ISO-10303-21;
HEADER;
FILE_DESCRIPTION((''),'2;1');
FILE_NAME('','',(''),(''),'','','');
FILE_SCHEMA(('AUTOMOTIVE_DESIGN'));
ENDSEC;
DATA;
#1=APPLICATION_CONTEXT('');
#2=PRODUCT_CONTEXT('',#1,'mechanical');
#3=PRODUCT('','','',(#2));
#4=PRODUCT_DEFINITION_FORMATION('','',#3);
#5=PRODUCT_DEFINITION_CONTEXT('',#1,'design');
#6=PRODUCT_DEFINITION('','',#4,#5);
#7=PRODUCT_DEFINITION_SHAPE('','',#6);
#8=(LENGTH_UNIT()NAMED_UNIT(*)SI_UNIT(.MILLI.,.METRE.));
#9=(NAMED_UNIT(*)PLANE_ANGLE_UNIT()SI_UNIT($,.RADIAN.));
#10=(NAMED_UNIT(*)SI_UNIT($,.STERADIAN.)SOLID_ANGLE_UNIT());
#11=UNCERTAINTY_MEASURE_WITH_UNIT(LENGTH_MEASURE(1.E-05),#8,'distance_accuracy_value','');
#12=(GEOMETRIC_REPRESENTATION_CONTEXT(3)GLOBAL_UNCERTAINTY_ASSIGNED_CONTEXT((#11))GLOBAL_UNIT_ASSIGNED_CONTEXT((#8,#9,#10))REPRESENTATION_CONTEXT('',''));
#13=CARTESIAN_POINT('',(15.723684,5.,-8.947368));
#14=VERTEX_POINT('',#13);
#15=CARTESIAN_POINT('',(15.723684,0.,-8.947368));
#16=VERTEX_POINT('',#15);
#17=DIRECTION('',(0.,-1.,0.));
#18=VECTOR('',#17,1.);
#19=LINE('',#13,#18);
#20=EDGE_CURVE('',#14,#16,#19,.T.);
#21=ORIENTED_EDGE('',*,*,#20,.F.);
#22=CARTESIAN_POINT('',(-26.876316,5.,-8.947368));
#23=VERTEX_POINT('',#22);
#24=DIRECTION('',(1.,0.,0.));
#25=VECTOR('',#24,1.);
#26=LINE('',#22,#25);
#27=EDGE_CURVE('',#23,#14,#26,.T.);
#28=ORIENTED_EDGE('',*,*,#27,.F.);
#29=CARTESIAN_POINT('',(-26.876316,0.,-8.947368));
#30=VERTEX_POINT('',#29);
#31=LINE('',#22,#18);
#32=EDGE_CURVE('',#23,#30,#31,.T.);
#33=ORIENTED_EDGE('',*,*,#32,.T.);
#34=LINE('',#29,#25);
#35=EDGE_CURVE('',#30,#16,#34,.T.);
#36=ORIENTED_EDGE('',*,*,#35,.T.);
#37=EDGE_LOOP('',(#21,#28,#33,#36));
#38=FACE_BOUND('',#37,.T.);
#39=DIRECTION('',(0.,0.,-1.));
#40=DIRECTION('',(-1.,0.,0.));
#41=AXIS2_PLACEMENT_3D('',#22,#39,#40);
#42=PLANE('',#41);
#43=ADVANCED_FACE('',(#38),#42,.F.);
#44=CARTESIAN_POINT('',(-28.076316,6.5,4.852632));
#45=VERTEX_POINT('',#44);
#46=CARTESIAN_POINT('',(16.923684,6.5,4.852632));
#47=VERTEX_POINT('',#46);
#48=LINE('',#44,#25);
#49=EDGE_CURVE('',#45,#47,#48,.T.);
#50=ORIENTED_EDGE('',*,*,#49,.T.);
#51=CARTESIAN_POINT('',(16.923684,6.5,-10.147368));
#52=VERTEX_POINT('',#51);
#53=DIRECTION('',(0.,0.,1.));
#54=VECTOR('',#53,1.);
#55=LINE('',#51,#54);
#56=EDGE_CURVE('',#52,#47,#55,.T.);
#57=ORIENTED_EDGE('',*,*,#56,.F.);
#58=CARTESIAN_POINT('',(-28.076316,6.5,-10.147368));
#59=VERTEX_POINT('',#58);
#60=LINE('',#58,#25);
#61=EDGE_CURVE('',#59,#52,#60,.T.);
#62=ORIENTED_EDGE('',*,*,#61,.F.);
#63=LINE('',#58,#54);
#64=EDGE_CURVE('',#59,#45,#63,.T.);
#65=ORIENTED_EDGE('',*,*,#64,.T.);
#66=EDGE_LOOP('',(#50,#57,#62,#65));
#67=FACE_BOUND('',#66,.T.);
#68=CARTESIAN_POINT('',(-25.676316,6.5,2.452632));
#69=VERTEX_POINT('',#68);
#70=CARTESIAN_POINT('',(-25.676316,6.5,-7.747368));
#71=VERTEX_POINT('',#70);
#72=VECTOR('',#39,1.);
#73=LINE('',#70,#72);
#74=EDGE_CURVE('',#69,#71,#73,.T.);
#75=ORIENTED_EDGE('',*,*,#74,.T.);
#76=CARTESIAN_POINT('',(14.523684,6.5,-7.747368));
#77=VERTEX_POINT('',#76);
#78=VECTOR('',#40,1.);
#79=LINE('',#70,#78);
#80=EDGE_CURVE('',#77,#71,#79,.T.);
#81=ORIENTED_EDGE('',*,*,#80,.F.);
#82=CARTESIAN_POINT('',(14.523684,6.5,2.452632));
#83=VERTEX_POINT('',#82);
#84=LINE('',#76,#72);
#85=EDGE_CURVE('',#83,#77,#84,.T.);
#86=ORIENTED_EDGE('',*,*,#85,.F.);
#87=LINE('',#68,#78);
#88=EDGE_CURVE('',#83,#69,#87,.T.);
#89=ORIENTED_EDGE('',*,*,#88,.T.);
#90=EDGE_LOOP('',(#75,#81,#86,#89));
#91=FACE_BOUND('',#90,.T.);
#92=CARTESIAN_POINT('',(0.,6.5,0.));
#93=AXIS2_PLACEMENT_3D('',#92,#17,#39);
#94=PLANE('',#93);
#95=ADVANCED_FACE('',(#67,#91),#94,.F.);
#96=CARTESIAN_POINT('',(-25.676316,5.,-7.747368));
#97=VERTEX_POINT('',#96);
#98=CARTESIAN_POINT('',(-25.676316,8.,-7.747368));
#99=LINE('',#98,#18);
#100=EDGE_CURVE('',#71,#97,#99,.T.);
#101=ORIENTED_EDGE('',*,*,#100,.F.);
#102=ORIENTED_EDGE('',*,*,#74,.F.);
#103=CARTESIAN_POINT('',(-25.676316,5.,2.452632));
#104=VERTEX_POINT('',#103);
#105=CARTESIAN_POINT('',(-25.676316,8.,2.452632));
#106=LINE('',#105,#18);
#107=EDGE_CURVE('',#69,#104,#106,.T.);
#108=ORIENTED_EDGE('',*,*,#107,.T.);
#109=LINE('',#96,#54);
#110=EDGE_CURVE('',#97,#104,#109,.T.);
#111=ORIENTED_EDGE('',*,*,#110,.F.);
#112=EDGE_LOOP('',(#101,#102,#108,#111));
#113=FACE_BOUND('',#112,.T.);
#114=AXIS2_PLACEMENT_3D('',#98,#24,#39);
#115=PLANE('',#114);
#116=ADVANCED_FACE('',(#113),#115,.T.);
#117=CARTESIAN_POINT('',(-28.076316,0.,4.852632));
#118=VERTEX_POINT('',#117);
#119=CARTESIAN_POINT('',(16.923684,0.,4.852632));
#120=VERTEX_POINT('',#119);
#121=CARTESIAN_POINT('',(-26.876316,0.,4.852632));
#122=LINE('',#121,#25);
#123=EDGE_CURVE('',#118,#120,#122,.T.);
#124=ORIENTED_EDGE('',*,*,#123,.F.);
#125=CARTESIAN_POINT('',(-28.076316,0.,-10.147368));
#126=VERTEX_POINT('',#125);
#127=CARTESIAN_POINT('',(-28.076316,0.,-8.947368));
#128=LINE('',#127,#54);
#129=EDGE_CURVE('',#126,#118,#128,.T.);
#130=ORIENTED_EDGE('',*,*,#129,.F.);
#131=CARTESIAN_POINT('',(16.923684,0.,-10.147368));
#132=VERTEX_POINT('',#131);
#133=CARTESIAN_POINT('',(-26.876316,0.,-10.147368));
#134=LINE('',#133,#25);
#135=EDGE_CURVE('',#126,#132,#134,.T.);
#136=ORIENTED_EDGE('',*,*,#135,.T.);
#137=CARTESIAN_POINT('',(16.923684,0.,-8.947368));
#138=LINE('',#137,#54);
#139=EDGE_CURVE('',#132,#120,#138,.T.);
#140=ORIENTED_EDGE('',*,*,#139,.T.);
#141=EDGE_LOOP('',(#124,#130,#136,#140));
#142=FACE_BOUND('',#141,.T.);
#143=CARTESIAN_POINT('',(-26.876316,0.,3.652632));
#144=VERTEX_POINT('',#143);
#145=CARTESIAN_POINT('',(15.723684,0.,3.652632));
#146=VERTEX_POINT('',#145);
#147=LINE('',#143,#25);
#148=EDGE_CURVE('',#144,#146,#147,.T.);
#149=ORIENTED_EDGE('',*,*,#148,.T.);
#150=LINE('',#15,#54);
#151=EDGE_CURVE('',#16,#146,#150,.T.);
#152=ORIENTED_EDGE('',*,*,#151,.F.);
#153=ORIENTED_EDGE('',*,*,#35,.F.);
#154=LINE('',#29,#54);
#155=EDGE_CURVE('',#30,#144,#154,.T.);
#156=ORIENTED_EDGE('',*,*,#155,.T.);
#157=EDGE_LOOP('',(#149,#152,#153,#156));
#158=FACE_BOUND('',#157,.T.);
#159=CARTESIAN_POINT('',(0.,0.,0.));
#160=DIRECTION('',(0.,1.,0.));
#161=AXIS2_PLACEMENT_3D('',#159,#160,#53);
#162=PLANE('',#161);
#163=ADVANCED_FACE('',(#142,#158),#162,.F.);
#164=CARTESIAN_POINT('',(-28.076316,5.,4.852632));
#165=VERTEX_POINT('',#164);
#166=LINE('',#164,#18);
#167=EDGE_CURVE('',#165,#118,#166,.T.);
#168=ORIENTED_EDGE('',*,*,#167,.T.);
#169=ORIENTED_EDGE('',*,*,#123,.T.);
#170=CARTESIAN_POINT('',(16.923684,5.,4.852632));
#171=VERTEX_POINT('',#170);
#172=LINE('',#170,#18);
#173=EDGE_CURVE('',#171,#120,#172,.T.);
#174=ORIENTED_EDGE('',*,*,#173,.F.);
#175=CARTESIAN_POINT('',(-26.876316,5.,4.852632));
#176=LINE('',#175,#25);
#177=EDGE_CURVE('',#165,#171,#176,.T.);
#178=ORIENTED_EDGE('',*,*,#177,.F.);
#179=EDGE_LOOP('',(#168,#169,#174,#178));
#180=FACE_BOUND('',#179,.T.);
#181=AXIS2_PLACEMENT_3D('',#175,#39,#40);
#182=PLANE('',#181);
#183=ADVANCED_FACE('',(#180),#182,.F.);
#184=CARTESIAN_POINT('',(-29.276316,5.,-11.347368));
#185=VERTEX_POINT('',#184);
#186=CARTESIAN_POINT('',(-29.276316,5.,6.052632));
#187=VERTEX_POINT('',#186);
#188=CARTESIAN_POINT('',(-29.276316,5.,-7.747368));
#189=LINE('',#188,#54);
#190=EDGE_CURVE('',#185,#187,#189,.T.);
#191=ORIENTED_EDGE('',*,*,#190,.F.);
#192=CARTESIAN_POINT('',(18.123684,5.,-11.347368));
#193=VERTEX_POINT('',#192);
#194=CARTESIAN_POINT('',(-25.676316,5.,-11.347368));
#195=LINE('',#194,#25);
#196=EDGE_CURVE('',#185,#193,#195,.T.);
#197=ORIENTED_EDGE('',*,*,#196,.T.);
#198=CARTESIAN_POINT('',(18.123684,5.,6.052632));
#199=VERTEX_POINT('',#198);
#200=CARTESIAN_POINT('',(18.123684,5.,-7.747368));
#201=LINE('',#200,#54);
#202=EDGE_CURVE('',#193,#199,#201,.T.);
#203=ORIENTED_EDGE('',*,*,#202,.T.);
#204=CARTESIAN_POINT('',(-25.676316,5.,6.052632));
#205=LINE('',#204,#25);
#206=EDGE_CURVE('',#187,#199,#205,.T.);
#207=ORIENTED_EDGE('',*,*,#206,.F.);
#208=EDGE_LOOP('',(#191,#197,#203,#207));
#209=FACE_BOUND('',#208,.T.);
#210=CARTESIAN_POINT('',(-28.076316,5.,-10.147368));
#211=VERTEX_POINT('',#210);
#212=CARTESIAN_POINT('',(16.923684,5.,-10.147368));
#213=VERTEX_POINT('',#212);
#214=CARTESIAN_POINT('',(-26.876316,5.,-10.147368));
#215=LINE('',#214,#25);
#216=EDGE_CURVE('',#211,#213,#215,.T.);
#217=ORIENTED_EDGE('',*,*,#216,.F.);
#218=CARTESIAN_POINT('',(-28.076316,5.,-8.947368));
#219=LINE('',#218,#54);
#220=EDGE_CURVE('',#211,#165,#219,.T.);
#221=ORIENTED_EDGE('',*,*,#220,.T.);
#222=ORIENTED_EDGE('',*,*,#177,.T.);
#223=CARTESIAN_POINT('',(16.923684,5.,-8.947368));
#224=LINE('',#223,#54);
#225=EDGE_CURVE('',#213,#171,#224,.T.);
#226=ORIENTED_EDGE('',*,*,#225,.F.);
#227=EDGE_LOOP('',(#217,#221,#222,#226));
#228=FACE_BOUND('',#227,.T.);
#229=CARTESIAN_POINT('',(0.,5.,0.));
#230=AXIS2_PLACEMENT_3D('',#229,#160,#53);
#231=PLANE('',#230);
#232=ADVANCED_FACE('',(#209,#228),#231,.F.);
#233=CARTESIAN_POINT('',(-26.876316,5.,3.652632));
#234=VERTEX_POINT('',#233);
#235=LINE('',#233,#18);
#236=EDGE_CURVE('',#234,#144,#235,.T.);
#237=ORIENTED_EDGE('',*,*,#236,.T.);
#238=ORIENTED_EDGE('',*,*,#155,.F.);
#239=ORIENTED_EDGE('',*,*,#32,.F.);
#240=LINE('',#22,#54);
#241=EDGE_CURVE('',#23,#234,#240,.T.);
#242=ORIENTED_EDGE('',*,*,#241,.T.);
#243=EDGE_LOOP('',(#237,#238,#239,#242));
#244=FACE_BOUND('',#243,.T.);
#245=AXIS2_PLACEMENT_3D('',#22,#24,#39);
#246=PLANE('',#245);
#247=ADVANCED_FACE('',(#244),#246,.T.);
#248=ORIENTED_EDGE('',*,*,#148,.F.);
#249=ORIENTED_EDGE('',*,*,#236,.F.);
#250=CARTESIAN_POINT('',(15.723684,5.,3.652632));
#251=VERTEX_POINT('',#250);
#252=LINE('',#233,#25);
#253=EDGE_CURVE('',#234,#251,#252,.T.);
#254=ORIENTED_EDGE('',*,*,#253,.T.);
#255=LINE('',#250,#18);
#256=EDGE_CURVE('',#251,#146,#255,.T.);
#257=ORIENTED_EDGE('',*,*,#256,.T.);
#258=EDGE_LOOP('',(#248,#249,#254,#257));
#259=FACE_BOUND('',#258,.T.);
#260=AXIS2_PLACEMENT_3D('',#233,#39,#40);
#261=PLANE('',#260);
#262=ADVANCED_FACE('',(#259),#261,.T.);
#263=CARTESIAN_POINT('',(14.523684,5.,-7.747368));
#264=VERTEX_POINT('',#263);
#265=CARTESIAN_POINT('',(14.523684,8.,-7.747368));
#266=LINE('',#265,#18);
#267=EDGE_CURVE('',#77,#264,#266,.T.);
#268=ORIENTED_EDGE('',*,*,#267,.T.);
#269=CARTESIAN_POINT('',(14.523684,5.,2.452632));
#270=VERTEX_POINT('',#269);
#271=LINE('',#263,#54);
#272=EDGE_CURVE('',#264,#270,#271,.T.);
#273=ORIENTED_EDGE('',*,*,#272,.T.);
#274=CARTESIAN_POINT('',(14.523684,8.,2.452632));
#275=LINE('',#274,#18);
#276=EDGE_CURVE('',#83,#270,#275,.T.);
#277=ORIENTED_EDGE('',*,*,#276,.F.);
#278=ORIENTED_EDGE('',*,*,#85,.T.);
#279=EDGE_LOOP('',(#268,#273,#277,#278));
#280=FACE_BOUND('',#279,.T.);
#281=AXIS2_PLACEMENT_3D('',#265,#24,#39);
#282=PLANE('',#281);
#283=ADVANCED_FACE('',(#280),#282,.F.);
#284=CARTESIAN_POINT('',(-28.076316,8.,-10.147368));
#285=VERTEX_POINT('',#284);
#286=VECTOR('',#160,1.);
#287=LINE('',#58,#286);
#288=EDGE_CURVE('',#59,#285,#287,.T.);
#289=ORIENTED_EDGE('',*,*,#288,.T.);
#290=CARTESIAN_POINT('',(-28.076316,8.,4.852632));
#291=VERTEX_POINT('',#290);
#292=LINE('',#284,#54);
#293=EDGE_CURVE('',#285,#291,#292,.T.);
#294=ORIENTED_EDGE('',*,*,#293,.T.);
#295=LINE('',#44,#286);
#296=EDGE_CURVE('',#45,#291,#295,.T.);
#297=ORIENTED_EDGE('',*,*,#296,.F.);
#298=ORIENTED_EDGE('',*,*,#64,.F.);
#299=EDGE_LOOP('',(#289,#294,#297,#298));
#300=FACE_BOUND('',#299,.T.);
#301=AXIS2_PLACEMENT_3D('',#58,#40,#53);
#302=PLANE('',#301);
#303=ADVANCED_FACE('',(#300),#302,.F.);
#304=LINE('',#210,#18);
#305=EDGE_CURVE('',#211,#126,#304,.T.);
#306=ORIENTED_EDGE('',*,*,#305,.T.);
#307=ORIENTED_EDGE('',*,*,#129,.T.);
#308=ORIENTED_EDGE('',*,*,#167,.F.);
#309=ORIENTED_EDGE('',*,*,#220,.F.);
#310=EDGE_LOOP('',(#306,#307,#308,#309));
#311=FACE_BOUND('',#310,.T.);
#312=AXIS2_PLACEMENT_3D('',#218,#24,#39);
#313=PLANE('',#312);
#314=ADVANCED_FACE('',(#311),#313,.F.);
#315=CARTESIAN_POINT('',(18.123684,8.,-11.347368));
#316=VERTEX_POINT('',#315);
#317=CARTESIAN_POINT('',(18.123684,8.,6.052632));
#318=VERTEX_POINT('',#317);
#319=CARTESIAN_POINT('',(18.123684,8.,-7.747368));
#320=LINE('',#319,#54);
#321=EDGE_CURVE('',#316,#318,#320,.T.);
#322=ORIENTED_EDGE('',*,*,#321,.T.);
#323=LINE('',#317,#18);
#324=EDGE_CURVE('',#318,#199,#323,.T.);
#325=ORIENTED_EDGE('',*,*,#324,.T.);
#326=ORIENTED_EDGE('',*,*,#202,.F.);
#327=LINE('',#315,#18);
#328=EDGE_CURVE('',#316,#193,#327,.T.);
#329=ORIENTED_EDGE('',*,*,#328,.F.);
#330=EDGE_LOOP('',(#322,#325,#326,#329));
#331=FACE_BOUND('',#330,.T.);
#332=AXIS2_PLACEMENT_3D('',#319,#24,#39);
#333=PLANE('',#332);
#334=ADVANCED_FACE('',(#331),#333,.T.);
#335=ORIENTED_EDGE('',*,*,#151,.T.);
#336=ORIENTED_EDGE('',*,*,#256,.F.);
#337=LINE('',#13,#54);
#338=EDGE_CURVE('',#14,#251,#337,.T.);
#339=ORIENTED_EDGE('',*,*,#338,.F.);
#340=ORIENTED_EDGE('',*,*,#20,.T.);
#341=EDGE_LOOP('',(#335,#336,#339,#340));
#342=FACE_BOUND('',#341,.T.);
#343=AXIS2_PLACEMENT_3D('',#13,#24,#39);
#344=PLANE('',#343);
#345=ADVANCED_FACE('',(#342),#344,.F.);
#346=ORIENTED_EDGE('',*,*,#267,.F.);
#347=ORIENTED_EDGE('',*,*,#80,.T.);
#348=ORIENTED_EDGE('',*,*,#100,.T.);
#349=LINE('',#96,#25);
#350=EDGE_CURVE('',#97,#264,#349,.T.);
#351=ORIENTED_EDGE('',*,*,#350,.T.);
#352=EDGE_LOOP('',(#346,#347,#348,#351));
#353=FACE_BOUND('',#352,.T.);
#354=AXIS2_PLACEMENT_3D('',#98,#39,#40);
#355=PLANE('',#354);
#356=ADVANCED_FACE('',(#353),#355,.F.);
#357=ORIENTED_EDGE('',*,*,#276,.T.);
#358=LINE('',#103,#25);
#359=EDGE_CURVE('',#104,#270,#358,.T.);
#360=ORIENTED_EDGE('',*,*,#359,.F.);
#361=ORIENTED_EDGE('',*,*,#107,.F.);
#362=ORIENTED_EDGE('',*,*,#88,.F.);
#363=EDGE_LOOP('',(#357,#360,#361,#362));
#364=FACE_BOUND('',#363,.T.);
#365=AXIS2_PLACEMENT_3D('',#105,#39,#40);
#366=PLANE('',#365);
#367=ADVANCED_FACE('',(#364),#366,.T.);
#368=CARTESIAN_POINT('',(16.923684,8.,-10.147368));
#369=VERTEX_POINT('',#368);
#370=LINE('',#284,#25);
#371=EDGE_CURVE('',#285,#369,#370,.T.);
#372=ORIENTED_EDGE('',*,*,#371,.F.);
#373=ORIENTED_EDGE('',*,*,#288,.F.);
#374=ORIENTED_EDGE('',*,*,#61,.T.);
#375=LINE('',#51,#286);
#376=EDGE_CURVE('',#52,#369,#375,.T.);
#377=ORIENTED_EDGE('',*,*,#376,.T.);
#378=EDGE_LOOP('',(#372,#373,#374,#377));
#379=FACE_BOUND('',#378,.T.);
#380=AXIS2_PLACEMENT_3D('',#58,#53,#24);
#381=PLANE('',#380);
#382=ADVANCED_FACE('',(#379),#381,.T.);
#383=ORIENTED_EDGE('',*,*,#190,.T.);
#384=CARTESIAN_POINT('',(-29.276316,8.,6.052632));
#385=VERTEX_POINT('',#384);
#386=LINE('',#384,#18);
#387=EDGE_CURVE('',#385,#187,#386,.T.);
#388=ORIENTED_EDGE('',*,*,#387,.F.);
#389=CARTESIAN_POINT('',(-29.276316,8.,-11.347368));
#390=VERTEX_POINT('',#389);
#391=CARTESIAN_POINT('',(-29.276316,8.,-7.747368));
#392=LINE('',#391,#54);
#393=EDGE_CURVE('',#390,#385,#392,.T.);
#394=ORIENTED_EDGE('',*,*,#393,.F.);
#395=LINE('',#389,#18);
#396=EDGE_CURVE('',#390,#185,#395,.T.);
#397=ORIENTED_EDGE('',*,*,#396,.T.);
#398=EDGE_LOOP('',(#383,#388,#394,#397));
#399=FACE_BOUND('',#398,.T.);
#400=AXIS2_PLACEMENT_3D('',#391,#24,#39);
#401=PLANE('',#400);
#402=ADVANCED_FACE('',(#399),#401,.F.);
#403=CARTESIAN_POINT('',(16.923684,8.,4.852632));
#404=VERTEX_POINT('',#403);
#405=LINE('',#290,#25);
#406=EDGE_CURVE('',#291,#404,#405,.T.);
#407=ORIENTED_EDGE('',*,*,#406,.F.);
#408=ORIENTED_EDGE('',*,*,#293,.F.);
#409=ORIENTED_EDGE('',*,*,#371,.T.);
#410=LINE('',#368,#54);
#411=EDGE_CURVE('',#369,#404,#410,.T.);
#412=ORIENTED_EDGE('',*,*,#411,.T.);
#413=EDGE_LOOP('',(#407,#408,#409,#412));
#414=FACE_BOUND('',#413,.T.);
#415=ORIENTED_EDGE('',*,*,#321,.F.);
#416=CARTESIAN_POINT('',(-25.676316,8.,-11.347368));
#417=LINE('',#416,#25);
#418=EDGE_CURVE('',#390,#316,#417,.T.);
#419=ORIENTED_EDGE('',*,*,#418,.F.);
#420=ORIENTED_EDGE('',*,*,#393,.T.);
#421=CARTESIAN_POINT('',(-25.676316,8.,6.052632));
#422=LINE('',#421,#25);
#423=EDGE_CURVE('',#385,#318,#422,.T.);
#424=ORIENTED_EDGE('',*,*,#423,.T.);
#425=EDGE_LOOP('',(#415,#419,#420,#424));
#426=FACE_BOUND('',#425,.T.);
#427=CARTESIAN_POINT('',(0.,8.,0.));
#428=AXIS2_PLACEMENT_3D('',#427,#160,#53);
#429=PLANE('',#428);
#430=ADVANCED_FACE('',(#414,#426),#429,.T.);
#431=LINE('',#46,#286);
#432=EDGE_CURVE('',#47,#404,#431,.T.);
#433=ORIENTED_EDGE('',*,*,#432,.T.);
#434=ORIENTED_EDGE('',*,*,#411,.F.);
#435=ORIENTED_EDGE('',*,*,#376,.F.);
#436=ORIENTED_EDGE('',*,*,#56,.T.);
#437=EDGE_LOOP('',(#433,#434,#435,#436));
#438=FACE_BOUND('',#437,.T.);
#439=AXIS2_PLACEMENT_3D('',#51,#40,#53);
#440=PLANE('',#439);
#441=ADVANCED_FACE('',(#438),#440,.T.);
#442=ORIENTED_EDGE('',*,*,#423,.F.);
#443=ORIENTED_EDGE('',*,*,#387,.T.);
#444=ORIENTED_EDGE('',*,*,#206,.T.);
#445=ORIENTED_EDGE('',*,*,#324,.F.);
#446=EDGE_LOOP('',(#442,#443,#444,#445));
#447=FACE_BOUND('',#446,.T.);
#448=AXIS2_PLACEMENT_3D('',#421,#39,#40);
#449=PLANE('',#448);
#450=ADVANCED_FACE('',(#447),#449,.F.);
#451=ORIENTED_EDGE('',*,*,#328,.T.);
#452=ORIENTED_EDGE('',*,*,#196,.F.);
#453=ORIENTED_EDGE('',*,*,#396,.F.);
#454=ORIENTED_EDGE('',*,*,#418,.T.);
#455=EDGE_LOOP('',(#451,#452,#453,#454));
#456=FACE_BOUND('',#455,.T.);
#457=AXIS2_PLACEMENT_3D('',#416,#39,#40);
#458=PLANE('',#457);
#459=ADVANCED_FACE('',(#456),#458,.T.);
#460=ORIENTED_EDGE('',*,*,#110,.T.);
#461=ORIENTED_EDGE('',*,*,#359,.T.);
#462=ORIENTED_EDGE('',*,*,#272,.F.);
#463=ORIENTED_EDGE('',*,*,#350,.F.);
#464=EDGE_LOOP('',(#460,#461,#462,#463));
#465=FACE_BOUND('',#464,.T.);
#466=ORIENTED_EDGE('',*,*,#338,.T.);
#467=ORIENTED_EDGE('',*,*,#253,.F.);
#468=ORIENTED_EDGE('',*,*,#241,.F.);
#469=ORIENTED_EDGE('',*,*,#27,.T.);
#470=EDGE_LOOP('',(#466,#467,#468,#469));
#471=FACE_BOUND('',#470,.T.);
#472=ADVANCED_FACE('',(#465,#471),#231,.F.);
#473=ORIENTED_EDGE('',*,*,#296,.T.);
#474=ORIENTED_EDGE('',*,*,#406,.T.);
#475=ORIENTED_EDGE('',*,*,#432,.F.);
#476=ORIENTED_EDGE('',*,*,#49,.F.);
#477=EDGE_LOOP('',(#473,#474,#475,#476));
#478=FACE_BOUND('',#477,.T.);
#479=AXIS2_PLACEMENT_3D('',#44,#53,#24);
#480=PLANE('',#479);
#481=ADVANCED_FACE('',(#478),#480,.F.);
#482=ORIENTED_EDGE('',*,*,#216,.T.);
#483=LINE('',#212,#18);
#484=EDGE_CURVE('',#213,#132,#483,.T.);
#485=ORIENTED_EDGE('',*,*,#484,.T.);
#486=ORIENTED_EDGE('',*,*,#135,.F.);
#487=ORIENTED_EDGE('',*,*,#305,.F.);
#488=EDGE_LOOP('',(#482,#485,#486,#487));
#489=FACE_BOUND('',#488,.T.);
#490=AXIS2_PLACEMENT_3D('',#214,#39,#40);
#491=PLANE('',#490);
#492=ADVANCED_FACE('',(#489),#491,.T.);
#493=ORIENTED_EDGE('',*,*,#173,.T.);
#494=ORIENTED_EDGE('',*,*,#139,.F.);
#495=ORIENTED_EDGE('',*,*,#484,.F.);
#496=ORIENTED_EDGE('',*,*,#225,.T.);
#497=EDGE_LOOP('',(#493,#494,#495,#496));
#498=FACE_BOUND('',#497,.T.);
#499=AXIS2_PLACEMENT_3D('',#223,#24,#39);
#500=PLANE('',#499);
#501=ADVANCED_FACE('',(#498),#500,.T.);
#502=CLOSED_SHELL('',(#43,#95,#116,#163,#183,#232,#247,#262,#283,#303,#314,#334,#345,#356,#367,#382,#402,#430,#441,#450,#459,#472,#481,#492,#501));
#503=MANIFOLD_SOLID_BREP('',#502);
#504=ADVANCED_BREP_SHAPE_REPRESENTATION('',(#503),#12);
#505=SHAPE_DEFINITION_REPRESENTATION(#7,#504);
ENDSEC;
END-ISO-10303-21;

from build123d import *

# Parameters (mm, degrees)
SKETCH2_W           = 45
SKETCH2_H           = 15
SKETCH2_W_2         = 42.6
SKETCH2_H_2         = 12.6
EXTRUDE_THIN1_DEPTH = 5
SKETCH5_W           = 47.4
SKETCH5_H           = 17.4
SKETCH5_W_2         = 40.2
SKETCH5_H_2         = 10.2
EXTRUDE_THIN3_DEPTH = 3
SKETCH6_W           = 45
SKETCH6_H           = 15
CUT_EXTRUDE2_DEPTH  = 1.5


with BuildPart() as part:
    # Sketch2 → Extrude-Thin1 (new body)
    with BuildSketch(Plane(origin=(0, 0, 0), x_dir=(1, 0, 0), z_dir=(0, 1, 0))):
        with Locations((-5.576315789, 2.647368421)):
            Rectangle(SKETCH2_W, SKETCH2_H)
        with Locations((-5.576315789, 2.647368421)):
            Rectangle(SKETCH2_W_2, SKETCH2_H_2, mode=Mode.SUBTRACT)
    extrude(amount=EXTRUDE_THIN1_DEPTH)

    # Sketch5 → Extrude-Thin3 (add)
    with BuildSketch(Plane(origin=(0, 5, 0), x_dir=(1, 0, 0), z_dir=(0, 1, 0))):
        with Locations((-5.576315789, 2.647368421)):
            Rectangle(SKETCH5_W, SKETCH5_H)
        with Locations((-5.576315789, 2.647368421)):
            Rectangle(SKETCH5_W_2, SKETCH5_H_2, mode=Mode.SUBTRACT)
    extrude(amount=EXTRUDE_THIN3_DEPTH)

    # Sketch6 → Cut-Extrude2 (cut)
    with BuildSketch(Plane(origin=(0, 8, 0), x_dir=(1, 0, 0), z_dir=(0, 1, 0))):
        with Locations((-5.576315789, 2.647368421)):
            Rectangle(SKETCH6_W, SKETCH6_H)
    extrude(amount=-CUT_EXTRUDE2_DEPTH, mode=Mode.SUBTRACT)


solid = part.part
